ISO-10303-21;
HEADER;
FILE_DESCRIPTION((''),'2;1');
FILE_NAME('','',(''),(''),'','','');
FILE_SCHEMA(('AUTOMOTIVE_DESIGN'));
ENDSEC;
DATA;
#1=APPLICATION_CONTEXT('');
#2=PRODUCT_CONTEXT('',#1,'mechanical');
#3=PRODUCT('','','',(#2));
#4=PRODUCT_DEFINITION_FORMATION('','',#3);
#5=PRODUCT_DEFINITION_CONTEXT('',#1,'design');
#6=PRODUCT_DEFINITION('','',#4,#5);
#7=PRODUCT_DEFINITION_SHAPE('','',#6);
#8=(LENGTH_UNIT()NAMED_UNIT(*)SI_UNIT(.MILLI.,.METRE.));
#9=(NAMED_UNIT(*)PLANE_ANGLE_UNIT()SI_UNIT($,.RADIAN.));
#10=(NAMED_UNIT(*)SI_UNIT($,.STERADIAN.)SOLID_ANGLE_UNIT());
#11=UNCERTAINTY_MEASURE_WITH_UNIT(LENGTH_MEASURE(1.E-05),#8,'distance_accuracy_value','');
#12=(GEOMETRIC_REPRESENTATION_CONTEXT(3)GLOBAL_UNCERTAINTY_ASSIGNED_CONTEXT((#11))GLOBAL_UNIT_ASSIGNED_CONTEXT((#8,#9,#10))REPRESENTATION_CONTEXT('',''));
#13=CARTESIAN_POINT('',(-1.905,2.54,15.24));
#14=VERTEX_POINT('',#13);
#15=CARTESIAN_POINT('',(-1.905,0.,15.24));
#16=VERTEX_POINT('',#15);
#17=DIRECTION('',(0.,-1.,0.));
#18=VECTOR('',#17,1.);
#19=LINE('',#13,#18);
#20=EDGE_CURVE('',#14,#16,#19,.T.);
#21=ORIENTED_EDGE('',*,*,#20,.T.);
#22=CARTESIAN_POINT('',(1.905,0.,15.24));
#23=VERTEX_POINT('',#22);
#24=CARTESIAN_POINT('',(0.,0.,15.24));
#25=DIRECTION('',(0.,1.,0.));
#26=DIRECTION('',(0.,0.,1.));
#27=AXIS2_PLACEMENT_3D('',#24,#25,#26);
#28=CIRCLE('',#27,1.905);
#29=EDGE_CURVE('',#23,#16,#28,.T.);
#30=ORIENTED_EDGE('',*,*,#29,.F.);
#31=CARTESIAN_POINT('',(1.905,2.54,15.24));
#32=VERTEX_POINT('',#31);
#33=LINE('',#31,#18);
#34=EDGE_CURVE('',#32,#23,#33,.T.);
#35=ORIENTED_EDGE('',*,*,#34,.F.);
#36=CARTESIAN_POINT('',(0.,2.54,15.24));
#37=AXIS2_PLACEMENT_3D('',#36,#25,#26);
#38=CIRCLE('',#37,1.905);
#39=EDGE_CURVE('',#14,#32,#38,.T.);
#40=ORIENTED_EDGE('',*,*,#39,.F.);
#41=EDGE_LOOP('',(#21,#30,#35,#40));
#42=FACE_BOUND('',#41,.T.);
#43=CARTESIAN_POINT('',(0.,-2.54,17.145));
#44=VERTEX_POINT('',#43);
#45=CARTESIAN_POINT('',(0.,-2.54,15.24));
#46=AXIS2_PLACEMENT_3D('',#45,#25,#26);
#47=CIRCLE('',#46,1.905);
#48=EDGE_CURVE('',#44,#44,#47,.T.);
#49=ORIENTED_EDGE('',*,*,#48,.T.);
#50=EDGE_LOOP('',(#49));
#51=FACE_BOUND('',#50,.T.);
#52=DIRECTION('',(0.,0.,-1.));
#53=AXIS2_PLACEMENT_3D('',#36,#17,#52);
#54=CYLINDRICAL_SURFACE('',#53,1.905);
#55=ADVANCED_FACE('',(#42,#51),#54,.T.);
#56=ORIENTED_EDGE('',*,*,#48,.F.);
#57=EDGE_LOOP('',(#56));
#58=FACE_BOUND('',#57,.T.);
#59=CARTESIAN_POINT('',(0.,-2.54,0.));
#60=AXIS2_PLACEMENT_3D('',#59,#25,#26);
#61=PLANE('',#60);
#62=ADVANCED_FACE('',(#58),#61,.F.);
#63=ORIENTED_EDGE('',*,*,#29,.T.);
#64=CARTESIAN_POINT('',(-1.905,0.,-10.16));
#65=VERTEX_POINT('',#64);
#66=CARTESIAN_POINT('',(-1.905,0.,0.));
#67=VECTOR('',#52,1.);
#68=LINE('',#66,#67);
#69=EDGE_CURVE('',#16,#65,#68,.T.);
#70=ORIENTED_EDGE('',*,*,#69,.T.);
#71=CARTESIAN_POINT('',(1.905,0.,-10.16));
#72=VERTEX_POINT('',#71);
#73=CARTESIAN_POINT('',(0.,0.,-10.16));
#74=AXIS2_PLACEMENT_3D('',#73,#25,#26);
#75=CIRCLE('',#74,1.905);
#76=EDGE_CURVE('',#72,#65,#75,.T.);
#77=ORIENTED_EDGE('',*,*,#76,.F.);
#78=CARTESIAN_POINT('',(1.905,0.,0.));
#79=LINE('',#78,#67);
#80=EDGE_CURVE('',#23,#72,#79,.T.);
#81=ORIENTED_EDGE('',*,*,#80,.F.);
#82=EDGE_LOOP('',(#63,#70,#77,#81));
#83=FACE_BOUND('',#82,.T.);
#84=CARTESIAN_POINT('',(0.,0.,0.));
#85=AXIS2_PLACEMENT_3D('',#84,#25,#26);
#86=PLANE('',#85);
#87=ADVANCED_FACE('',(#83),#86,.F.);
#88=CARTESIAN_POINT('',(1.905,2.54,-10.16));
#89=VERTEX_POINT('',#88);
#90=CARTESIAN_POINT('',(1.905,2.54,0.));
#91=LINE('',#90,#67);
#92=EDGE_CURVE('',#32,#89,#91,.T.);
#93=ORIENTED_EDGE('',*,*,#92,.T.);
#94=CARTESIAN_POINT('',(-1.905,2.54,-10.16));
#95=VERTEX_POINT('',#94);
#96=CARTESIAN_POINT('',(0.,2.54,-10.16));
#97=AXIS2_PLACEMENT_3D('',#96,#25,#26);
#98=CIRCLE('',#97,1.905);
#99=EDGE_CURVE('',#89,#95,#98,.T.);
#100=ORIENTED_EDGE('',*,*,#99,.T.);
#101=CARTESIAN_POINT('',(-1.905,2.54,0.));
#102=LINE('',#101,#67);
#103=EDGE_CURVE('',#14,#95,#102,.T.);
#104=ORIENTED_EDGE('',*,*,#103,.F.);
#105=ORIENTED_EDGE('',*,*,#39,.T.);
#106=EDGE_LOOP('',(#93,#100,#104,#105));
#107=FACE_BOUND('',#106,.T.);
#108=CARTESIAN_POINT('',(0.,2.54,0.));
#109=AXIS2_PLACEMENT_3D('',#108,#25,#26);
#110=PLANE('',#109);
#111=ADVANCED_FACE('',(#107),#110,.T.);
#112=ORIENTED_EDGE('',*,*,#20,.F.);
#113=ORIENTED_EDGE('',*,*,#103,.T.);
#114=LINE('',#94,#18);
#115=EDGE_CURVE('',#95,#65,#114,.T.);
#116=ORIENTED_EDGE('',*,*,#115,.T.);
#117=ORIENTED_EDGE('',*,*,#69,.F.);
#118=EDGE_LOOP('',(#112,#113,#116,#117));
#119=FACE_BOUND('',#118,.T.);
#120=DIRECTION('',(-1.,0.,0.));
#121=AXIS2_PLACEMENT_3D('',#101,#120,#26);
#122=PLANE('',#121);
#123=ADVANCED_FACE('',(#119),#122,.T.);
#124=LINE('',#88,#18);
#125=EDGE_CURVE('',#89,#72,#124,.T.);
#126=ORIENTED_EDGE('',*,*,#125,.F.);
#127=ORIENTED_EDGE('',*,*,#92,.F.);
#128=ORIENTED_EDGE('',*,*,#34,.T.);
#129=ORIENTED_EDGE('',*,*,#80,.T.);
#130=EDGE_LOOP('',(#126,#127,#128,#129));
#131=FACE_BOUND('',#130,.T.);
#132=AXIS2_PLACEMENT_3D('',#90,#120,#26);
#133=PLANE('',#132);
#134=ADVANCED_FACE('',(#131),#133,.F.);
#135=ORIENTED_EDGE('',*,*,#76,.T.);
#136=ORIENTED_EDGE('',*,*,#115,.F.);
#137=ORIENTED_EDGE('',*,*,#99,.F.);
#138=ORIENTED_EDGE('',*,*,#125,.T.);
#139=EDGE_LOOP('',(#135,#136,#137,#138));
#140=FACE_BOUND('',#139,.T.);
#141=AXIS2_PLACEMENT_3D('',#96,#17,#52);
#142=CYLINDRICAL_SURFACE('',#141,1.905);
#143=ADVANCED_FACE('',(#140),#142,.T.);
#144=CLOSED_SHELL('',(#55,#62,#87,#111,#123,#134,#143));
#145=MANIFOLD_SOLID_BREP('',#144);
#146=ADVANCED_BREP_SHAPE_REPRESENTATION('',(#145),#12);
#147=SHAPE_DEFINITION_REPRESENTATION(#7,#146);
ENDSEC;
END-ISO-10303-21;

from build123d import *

# Parameters (mm, degrees)
BOSS_EXTRUDE1_DEPTH = 2.54
BOSS_EXTRUDE2_DEPTH = 2.54


with BuildPart() as part:
    # Sketch1 → Boss-Extrude1 (new body)
    with BuildSketch(Plane(origin=(0, 0, 0), x_dir=(1, 0, 0), z_dir=(0, 1, 0))):
        with BuildLine():
            Line((-1.905, 10.16), (-1.905, -15.24))
            ThreePointArc((-1.905, -15.24), (0, -13.335), (1.905, -15.24))
            Line((1.905, -15.24), (1.905, 10.16))
            ThreePointArc((1.905, 10.16), (0, 12.065), (-1.905, 10.16))
        make_face()
    extrude(amount=BOSS_EXTRUDE1_DEPTH)

    # Sketch1<3> → Boss-Extrude2 (add, symmetric)
    with BuildSketch(Plane(origin=(0, 0, 0), x_dir=(1, 0, 0), z_dir=(0, 1, 0))):
        with BuildLine():
            ThreePointArc((-1.905, -15.24), (0, -17.145), (1.905, -15.24))
            ThreePointArc((1.905, -15.24), (0, -13.335), (-1.905, -15.24))
        make_face()
    extrude(amount=BOSS_EXTRUDE2_DEPTH, both=True)


solid = part.part
